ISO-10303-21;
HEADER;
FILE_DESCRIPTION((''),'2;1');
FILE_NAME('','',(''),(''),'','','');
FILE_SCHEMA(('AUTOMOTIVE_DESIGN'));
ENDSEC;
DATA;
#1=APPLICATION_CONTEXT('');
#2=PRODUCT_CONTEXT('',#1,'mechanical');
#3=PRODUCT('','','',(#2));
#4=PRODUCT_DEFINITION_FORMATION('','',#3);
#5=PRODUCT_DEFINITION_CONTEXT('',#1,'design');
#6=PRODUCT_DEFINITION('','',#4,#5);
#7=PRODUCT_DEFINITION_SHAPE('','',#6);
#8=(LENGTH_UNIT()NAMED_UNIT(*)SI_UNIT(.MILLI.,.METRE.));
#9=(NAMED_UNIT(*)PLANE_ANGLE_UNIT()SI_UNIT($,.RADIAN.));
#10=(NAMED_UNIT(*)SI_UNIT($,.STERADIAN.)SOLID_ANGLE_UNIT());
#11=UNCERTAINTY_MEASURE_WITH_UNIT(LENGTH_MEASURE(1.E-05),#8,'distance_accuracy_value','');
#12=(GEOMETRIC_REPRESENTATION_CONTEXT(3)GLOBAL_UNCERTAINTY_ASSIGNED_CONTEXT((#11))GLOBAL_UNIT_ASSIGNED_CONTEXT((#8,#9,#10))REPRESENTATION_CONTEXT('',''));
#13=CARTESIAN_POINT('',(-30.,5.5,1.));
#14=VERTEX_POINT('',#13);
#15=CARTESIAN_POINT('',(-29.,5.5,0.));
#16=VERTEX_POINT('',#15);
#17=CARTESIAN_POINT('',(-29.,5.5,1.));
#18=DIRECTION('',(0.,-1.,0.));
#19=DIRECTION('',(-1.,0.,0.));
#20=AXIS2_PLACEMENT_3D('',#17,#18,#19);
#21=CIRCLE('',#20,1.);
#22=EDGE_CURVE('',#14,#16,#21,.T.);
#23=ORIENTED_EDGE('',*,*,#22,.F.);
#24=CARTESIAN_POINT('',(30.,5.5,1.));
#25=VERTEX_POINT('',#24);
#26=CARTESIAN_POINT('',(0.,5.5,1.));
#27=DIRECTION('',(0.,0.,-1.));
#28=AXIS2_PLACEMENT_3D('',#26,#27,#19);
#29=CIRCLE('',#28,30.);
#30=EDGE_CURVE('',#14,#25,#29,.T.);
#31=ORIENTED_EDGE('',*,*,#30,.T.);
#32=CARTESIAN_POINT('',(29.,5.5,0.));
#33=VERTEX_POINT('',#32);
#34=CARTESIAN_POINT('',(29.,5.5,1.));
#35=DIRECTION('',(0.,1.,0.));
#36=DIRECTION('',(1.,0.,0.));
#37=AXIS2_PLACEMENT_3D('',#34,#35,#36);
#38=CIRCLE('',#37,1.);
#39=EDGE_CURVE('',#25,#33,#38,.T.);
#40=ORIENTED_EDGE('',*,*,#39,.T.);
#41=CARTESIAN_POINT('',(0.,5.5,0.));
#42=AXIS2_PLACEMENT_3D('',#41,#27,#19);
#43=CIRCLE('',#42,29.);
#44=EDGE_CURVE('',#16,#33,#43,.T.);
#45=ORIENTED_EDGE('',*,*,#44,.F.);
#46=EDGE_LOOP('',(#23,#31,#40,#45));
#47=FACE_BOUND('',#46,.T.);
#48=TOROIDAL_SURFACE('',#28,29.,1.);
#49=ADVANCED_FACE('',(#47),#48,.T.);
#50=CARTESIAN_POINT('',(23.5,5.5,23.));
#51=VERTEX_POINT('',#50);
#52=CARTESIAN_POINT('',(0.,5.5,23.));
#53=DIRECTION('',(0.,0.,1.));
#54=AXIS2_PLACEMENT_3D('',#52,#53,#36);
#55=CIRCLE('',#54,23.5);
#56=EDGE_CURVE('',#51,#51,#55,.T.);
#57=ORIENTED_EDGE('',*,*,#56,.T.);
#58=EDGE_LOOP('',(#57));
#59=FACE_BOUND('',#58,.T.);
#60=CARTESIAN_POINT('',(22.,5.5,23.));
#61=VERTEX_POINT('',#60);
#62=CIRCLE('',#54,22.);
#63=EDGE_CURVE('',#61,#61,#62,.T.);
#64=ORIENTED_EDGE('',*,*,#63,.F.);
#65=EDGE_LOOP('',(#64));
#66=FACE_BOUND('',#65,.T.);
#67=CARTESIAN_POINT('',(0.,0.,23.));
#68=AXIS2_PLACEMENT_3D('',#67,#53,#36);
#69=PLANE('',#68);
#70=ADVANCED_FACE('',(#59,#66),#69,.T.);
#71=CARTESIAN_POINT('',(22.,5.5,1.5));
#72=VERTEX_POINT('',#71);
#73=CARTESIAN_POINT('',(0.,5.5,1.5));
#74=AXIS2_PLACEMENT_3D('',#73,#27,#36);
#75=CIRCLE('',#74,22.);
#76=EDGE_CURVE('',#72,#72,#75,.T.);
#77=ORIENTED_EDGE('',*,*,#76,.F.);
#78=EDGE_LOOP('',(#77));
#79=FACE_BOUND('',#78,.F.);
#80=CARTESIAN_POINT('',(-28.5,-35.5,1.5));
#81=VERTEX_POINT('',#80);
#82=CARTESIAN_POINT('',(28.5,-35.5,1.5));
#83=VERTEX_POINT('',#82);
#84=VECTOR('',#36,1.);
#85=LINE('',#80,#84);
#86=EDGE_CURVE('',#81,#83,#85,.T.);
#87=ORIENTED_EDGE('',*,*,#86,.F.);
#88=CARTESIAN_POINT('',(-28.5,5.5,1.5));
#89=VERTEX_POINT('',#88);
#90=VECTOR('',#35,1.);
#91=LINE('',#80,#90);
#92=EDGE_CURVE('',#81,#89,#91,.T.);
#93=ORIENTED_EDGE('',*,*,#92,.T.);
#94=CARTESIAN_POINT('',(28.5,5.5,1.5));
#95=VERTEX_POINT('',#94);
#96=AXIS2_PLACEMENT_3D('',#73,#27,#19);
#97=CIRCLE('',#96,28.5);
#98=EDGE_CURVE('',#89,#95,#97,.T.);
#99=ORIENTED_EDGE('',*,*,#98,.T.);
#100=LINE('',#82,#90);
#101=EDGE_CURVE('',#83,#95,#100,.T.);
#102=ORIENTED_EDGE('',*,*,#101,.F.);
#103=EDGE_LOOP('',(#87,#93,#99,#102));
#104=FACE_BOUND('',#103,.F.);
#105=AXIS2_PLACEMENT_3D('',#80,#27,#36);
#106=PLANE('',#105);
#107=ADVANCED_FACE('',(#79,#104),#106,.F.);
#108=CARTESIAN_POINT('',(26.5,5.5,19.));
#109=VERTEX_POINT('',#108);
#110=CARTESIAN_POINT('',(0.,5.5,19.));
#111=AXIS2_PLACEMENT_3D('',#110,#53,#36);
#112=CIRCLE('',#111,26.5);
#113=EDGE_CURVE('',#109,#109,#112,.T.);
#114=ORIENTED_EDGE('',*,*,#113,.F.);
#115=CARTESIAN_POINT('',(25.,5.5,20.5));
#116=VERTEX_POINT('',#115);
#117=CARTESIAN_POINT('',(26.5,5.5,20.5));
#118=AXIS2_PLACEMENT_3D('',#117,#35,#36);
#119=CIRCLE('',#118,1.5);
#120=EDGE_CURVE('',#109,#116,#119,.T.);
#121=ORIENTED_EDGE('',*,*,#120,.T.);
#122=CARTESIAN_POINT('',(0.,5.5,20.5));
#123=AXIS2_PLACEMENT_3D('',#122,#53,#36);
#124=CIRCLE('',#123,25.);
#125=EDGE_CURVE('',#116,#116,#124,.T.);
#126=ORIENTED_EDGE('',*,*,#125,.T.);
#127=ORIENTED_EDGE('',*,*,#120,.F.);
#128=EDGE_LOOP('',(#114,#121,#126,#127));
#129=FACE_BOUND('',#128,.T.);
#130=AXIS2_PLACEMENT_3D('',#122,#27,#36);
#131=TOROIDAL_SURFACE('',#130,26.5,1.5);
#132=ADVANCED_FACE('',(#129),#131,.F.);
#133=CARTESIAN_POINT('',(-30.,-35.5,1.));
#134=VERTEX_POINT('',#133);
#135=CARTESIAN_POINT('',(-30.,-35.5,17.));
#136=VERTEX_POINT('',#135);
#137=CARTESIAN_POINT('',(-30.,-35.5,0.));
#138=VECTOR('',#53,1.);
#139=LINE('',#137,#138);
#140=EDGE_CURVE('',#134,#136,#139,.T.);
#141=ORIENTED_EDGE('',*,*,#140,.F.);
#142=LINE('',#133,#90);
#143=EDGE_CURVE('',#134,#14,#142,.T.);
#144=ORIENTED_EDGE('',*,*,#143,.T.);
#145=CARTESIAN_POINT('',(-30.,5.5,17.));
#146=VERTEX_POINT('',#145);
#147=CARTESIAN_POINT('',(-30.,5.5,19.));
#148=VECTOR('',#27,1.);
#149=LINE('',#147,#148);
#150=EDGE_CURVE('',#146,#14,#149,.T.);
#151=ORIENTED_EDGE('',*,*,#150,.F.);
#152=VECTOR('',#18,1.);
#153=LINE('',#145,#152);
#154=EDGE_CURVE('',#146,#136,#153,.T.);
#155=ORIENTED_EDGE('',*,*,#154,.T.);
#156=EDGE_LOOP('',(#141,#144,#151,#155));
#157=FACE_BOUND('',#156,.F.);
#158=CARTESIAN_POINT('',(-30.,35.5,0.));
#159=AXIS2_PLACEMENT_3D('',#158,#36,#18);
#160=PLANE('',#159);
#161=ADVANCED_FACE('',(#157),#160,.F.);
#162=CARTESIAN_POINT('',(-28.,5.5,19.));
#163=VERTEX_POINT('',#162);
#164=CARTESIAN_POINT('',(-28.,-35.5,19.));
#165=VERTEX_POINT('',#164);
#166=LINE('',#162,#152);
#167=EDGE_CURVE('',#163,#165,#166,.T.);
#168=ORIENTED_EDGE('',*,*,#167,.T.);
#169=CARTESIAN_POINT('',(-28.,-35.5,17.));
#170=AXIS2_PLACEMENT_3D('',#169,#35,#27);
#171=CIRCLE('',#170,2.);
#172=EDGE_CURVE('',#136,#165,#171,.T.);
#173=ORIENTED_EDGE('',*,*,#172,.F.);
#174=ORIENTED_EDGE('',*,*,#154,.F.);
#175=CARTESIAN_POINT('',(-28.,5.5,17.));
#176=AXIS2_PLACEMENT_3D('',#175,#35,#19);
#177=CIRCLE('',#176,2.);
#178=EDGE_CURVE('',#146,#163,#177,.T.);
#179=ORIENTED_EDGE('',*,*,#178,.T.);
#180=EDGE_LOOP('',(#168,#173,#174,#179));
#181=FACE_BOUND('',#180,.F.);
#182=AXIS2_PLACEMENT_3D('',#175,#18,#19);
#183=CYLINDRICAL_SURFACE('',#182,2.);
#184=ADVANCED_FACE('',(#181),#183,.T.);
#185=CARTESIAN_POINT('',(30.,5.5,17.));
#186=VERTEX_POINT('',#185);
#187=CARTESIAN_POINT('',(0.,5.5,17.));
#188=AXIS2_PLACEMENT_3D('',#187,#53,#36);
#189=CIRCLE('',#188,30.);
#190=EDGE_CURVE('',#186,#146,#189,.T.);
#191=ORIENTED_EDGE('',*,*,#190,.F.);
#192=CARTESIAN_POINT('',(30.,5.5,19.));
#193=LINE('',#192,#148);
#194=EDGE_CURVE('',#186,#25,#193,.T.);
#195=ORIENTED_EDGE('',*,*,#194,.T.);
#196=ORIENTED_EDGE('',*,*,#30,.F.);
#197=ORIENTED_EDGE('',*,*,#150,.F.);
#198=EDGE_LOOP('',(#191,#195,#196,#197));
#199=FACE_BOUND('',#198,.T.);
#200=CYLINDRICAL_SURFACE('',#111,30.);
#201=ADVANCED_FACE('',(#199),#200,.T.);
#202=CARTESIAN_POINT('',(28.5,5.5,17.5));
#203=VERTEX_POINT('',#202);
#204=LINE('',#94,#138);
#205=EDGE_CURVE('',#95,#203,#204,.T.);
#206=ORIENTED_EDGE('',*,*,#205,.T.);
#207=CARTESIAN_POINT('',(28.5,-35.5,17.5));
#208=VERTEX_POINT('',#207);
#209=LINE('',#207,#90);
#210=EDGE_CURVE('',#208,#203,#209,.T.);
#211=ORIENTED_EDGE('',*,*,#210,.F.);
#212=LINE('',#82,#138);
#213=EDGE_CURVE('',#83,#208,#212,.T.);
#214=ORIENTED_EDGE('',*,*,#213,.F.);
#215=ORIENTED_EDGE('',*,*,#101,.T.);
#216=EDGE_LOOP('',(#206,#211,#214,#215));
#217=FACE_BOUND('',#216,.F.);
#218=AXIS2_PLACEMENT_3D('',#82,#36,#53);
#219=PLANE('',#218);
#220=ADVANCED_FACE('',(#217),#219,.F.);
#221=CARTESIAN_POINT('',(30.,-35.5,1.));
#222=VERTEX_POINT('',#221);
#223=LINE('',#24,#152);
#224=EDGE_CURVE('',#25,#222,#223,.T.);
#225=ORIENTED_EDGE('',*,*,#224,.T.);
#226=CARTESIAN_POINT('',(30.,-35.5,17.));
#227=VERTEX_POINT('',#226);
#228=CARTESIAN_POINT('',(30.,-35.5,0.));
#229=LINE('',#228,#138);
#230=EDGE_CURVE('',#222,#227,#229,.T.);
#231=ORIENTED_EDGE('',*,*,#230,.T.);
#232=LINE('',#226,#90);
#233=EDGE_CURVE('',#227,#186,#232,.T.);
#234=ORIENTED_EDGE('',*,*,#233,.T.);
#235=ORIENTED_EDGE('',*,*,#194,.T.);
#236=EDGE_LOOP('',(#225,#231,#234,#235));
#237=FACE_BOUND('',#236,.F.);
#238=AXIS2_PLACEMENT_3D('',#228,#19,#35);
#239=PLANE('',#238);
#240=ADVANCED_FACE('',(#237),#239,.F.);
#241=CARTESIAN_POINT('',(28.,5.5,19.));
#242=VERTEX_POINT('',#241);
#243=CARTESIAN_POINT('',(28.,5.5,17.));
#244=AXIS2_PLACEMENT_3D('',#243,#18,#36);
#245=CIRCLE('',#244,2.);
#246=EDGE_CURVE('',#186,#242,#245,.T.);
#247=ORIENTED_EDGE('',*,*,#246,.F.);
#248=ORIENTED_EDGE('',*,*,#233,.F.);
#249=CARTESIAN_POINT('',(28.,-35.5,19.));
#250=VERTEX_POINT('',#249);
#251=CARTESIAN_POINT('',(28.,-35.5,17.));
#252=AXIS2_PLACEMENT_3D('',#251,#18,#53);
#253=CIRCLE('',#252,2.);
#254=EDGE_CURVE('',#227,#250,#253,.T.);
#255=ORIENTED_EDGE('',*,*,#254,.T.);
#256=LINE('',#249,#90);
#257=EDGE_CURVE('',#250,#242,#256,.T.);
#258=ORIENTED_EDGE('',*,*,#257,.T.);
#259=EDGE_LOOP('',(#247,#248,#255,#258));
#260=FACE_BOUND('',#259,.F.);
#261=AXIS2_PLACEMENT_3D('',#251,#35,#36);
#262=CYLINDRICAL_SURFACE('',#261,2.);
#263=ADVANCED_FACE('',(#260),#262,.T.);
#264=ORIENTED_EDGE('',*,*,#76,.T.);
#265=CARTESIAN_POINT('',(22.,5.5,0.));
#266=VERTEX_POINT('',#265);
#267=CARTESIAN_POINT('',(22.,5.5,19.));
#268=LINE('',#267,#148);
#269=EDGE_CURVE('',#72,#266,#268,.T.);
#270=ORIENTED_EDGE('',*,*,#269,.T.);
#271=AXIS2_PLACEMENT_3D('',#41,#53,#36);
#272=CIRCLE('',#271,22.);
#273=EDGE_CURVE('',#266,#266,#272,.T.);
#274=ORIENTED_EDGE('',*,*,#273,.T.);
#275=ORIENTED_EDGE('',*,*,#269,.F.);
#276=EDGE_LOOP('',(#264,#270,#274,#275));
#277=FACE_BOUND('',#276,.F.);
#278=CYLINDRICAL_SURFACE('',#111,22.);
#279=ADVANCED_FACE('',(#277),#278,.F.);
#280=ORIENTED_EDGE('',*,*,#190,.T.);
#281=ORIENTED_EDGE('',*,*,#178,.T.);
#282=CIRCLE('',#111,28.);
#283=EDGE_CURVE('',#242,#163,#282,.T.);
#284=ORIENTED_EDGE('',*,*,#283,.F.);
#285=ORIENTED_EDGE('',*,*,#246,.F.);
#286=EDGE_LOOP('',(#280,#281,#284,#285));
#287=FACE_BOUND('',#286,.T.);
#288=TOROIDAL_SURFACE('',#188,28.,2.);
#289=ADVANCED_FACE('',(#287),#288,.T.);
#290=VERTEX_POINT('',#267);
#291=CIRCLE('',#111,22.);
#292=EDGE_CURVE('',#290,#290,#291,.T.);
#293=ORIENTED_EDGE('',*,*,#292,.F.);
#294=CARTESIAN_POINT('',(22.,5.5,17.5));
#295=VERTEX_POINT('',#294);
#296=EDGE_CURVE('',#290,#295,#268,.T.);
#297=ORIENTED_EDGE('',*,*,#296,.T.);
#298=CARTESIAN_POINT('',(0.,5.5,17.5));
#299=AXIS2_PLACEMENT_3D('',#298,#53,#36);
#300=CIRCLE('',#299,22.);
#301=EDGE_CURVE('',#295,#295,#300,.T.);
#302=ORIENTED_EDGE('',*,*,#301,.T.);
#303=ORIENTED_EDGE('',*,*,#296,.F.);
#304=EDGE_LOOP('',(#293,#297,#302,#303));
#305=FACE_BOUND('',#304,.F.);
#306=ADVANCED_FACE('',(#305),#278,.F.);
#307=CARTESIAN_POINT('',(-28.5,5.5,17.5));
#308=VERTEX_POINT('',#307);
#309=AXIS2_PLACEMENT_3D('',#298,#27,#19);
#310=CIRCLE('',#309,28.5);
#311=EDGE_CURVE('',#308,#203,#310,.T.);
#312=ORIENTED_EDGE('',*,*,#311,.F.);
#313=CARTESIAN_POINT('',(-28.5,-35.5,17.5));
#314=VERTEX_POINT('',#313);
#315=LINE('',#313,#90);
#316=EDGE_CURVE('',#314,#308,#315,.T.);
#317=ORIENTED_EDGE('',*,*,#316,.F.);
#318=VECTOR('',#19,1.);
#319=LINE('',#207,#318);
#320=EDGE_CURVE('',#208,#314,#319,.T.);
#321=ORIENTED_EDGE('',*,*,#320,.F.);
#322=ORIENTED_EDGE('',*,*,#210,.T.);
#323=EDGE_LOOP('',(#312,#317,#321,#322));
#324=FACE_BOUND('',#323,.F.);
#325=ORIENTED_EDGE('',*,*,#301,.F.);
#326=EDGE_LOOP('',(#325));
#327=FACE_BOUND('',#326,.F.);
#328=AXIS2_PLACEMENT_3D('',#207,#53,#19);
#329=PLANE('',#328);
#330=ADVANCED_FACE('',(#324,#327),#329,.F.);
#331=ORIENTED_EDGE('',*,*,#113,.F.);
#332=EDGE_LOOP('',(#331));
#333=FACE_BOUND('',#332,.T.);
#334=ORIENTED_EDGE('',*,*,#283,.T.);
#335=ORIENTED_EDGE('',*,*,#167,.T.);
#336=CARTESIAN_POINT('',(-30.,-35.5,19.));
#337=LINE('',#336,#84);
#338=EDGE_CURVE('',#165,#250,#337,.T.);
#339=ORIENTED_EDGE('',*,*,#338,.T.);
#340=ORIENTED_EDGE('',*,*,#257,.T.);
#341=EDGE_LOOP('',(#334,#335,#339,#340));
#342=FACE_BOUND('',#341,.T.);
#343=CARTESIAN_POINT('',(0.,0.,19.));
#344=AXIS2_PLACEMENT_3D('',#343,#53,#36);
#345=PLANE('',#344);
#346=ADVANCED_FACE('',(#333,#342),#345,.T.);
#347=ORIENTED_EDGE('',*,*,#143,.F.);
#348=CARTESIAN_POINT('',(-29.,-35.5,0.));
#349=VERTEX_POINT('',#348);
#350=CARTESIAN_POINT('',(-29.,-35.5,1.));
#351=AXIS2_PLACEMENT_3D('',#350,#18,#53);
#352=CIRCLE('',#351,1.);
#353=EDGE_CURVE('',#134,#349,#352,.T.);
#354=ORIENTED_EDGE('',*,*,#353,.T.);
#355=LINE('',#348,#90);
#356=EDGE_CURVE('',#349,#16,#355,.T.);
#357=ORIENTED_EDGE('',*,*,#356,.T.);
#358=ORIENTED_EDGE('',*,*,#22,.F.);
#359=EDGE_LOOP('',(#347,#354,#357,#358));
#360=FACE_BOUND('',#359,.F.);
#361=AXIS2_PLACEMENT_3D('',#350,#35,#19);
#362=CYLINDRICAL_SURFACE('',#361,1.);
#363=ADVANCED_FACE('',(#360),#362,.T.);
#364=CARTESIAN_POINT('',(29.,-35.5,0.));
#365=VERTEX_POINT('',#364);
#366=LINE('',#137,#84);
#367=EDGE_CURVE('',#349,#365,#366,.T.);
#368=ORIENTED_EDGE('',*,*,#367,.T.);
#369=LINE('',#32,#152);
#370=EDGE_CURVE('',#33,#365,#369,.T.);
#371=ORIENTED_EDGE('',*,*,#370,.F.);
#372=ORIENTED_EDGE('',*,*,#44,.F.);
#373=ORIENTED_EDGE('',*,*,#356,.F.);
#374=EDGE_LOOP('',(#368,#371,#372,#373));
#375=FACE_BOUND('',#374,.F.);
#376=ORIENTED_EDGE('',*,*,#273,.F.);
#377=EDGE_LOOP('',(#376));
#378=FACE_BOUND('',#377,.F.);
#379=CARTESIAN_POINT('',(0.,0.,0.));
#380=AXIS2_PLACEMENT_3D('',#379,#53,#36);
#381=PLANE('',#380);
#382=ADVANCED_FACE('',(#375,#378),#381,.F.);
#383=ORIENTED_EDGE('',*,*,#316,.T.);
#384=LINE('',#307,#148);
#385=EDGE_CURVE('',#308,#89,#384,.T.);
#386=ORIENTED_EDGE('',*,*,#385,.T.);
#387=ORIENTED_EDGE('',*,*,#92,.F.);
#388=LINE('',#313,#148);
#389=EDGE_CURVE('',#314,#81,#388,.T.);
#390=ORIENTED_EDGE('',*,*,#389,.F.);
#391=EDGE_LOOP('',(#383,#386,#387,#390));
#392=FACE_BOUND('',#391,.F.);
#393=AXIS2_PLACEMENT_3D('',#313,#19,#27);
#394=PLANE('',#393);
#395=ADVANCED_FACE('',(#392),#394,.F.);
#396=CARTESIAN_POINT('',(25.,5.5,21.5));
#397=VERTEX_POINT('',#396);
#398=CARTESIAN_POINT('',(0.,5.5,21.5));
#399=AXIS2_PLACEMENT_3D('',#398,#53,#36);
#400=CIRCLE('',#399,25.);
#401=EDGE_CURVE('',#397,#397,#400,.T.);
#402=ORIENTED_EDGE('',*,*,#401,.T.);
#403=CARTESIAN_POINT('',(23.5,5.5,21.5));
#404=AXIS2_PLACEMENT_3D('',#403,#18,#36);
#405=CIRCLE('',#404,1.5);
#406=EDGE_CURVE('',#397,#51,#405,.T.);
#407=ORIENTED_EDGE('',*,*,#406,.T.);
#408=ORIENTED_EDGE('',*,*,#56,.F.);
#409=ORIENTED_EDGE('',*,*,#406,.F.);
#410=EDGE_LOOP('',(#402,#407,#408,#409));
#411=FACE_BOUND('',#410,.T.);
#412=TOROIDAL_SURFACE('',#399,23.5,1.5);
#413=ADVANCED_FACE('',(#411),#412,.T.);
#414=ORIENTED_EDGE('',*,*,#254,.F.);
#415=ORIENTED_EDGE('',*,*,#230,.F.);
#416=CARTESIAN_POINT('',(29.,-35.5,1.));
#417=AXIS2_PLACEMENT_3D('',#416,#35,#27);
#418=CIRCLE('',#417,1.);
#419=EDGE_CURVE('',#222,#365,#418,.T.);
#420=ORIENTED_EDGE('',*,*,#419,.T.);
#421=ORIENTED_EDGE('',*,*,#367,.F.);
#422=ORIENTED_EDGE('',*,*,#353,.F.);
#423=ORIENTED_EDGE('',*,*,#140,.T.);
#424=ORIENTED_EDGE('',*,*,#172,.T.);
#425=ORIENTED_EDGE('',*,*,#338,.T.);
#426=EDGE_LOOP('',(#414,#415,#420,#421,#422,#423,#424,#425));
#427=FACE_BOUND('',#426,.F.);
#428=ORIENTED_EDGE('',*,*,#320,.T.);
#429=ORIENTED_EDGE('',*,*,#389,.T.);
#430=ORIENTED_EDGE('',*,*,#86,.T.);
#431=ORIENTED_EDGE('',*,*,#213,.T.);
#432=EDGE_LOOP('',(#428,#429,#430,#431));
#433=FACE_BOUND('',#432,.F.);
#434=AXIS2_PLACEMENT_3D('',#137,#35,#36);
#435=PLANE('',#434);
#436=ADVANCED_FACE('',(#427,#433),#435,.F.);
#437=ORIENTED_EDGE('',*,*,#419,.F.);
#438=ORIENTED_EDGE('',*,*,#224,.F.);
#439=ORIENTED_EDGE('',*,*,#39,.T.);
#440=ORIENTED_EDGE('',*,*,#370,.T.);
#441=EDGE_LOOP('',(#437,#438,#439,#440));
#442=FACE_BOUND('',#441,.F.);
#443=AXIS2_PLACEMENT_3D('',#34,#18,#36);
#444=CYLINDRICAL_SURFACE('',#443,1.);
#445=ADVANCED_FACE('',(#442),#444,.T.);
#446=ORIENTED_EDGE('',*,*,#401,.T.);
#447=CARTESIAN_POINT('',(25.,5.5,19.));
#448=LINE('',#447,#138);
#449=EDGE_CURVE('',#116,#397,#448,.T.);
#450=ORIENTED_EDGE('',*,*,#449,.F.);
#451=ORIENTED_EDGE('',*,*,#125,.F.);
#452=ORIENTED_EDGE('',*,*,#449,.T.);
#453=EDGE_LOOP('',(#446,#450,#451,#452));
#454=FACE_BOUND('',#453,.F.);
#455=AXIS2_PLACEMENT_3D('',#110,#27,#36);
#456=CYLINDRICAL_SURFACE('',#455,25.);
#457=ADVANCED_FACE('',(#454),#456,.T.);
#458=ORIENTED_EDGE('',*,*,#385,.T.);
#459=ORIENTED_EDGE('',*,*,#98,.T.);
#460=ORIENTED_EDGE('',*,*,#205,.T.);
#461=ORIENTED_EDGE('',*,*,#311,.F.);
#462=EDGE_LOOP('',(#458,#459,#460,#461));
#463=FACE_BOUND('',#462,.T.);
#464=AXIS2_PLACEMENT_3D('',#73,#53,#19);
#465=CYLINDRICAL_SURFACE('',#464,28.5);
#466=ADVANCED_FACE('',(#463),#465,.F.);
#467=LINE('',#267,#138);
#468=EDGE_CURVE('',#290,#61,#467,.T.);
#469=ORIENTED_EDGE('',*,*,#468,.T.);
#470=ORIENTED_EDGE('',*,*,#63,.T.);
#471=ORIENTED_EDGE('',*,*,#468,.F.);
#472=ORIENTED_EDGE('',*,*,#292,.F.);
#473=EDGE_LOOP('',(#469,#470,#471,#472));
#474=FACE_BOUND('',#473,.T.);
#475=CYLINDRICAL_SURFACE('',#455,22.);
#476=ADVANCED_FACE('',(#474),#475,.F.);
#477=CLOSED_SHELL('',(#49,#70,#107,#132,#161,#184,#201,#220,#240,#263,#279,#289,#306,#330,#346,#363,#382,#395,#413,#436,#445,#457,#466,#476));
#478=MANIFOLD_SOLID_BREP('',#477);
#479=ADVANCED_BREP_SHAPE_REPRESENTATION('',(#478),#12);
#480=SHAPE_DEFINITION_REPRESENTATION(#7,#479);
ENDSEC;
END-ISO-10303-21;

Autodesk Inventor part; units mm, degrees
ref_plane "YZ Plane" through (0, 0, 0) normal (1, 0, 0) x (0, 1, 0)
ref_plane "XZ Plane" through (0, 0, 0) normal (0, 1, 0) x (-1, 0, 0)
sketch "Эскиз1" plane through (0, 0, 0) normal (0, 0, 1) x (1, 0, 0)
  line L0 (-30, -35.5) -> (30, -35.5)
  line L1 (30, -35.5) -> (30, 35.5)
  line L2 (30, 35.5) -> (-30, 35.5)
  line L3 (-30, 35.5) -> (-30, -35.5)
  line L4 (-30, -35.5) -> (30, 35.5) construction
  line L5 (30, -35.5) -> (-30, 35.5) construction
  point P0 (0, 0)
  dimension "d0" = 60
  dimension "d1" = 71
extrude "Выдавливание1" add sketch "Эскиз1" along normal blind 19
sketch "Эскиз2" plane through (0, 0, 19) normal (0, 0, 1) x (1, 0, 0)
  circle A0 centre (0, 5.5) radius 22 construction
  circle A1 centre (0, 5.5) radius 30
  line L0 (30, 35.5) -> (-30, 35.5) projected
  line L1 (-30, 35.5) -> (-30, -35.5) projected
  line L2 (30, -35.5) -> (30, 35.5) projected
  point P0 (0, 0)
  point P1 (30, 5.5)
  point P2 (0, 35.5)
  point P3 (-30, 5.5)
  dimension "d4" = 44
  dimension "d5" = 60
  dimension "d6" = 8
extrude "Выдавливание2" cut sketch "Эскиз2" against normal through all contours A1 L0 L2 | A1 L1 L0
sketch "Эскиз3" plane through (0, 0, 19) normal (0, 0, 1) x (1, 0, 0)
  circle A0 centre (0, 5.5) radius 25
  arc A1 (30, 5.5) -> (-30, 5.5) centre (0, 5.5) ccw projected
  circle A2 centre (0, 5.5) radius 22
  point P0 (0, 0)
  dimension "d9" = 50
  dimension "d10" = 44
extrude "Выдавливание3" add sketch "Эскиз3" along normal blind 4
fillet "Сопряжение1" radius 1.5 2 edges at (-25, 5.5, 19) (-25, 5.5, 23)
sketch "Эскиз4" plane through (0, 5.5, 19) normal (0, 0, 1) x (1, 0, 0)
  circle A0 centre (0, 0) radius 22 projected
  point P0 (0, -5.5)
extrude "Выдавливание4" cut sketch "Эскиз4" against normal through all
sketch "Эскиз5" plane through (-30, -35.5, 0) normal (0, -1, 0) x (1, 0, 0)
  line L0 (1.5, 1.5) -> (58.5, 1.5)
  line L1 (58.5, 1.5) -> (58.5, 17.5)
  line L2 (58.5, 17.5) -> (1.5, 17.5)
  line L3 (1.5, 17.5) -> (1.5, 1.5)
  line L4 (60, 0) -> (60, 19) projected
  line L5 (0, 0) -> (60, 0) projected
  line L6 (0, 19) -> (60, 19) projected
  line L7 (0, 0) -> (0, 19) projected
  point P0 (30, 0)
  point P1 (30, 9.5)
  point P2 (30, 9.5)
  point P3 (60, 9.5)
  point P4 (30, 9.5)
  point P5 (30, 0)
  dimension "d16" = 1.5
  dimension "d17" = 1.5
  dimension "d18" = 1.5
  dimension "d19" = 1.5
ref_plane "РабПлоскость1" through (0, 5.5, 19) normal (0, -1, 0) x (0, 0, 1)
extrude "Выдавливание5" cut sketch "Эскиз5" against normal up to surface (41 mm away) contours L3 L2 L1 L0
sketch "Эскиз6" plane through (-28.5, 5.5, 17.5) normal (0, -1, 0) x (1, 0, 0)
  line L0 (6.5, 0) -> (6.5, -16) projected
  line L1 (0, 0) -> (6.5, 0) projected
  line L2 (0, -16) -> (0, 0) projected
  line L3 (6.5, -16) -> (0, -16) projected
  line L4 (28.5, -22.1) -> (28.5, 10.1) projected
  point P0 (28.5, -17.5)
revolve "Вращение1" cut sketch "Эскиз6" angle 180 about axis through (0, 5.5, 19) along (0, 0, -1)
fillet "Сопряжение2" radius 1 3 edges at (0, 35.5, 0) (30, -15, 0) (-30, -15, 0)
fillet "Сопряжение3" radius 2 3 edges at (0, 35.5, 19) (30, -15, 19) (-30, -15, 19)
equation "\"d17\" = d16"
equation "\"d18\" = d17"
equation "\"d19\" = d18"
properties part number "B6015L12F NF1" material "Стекло"
